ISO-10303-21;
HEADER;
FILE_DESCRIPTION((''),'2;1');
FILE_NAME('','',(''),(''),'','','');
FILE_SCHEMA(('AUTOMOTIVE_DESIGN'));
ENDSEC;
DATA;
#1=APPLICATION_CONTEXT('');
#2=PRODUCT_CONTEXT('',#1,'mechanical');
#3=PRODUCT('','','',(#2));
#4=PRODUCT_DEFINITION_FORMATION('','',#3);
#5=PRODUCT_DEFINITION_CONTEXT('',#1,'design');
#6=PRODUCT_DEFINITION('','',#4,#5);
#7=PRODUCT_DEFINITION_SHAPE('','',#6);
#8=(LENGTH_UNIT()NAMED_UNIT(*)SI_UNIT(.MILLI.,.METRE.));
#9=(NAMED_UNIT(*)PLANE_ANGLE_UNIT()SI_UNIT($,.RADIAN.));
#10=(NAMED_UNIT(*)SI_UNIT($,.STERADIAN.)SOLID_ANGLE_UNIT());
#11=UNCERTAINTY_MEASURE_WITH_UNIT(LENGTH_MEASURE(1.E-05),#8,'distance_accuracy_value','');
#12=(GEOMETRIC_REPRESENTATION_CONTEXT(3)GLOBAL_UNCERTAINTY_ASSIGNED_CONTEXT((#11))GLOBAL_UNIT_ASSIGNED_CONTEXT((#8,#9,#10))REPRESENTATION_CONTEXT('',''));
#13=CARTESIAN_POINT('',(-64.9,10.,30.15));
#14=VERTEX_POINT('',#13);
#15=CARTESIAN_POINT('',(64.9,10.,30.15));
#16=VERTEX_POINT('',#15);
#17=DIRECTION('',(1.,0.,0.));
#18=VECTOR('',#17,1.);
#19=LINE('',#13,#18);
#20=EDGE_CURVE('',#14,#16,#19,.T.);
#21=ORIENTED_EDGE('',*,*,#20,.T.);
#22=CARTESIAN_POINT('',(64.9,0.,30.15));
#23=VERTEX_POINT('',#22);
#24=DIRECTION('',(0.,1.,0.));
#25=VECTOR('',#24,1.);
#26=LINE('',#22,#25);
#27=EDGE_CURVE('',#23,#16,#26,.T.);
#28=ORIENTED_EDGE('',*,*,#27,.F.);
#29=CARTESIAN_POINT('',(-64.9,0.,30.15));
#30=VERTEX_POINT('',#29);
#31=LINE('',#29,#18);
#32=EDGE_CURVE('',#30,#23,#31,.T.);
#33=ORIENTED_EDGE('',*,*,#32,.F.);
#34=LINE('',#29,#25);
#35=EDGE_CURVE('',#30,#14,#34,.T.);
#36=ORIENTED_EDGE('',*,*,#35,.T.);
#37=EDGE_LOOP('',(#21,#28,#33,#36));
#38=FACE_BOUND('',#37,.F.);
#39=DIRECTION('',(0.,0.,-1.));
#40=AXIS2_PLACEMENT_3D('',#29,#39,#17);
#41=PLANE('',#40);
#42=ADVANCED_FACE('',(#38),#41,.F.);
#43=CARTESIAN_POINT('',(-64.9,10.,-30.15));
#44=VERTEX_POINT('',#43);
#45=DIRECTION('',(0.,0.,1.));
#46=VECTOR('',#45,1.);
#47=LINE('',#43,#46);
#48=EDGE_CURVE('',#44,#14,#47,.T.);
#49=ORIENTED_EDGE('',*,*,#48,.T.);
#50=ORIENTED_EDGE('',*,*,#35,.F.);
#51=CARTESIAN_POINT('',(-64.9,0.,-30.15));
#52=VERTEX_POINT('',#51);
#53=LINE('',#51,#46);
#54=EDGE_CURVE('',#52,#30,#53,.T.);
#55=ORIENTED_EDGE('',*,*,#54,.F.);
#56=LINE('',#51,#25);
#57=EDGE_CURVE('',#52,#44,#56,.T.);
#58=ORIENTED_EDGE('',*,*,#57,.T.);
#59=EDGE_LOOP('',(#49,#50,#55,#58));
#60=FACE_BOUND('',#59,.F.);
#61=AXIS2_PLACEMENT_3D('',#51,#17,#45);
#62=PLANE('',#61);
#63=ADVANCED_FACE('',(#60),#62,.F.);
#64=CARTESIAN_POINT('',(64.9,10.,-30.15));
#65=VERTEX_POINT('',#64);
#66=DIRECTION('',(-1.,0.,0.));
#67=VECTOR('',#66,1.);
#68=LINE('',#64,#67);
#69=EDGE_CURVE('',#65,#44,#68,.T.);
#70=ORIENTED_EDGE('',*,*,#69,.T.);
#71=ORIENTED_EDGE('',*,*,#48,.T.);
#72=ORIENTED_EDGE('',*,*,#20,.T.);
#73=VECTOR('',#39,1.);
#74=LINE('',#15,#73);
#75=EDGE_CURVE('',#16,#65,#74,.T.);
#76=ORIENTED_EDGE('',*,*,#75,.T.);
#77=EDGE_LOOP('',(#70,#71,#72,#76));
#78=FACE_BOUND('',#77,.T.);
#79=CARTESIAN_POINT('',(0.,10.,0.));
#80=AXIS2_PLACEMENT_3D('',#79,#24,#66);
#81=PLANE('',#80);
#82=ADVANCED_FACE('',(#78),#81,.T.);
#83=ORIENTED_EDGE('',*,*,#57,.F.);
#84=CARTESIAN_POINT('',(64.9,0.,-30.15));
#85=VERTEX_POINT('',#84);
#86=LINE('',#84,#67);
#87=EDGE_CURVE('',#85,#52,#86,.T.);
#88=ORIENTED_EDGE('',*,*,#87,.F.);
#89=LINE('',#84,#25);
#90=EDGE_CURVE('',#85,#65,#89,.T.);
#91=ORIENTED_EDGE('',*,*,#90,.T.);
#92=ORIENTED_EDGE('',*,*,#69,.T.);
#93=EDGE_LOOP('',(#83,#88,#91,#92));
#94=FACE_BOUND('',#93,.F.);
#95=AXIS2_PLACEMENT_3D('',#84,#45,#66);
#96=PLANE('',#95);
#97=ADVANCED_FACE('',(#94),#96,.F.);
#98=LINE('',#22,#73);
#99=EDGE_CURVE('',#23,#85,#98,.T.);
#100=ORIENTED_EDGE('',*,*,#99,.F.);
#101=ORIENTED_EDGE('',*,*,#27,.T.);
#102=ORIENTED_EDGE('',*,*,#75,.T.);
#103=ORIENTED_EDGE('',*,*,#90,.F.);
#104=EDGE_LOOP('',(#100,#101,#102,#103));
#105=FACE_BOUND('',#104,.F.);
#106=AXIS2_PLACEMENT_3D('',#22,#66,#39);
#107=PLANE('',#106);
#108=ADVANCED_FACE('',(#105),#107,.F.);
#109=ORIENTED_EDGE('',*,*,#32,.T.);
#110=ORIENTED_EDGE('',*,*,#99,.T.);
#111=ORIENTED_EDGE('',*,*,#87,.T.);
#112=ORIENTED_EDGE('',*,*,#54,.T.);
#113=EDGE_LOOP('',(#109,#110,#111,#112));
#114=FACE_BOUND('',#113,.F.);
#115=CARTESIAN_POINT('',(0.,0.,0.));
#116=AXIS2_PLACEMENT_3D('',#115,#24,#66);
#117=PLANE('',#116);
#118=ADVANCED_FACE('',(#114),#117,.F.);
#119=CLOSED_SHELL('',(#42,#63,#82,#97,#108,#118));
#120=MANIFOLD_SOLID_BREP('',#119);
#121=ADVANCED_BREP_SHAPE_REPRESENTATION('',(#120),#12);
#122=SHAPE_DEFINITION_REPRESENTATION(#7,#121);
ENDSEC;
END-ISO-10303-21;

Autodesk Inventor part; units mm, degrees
ref_plane "YZ Plane" through (0, 0, 0) normal (1, 0, 0) x (0, 1, 0)
ref_plane "XZ Plane" through (0, 0, 0) normal (0, 1, 0) x (-1, 0, 0)
ref_plane "XY Plane" through (0, 0, 0) normal (0, 0, 1) x (1, 0, 0)
sketch "Sketch1" plane through (0, 0, 0) normal (0, 1, 0) x (-1, 0, 0)
  line L0 (64.9, 30.15) -> (-64.9, 30.15)
  line L1 (-64.9, 30.15) -> (-64.9, -30.15)
  line L2 (-64.9, -30.15) -> (64.9, -30.15)
  line L3 (64.9, -30.15) -> (64.9, 30.15)
  point P0 (0, 0)
  point P1 (64.9, 0)
  point P2 (0, 30.15)
  dimension "d0" = 60.3
  dimension "d1" = 129.8
extrude "Extrusion2" add sketch "Sketch1" along normal blind 10
properties part number "Bridge Plate"
